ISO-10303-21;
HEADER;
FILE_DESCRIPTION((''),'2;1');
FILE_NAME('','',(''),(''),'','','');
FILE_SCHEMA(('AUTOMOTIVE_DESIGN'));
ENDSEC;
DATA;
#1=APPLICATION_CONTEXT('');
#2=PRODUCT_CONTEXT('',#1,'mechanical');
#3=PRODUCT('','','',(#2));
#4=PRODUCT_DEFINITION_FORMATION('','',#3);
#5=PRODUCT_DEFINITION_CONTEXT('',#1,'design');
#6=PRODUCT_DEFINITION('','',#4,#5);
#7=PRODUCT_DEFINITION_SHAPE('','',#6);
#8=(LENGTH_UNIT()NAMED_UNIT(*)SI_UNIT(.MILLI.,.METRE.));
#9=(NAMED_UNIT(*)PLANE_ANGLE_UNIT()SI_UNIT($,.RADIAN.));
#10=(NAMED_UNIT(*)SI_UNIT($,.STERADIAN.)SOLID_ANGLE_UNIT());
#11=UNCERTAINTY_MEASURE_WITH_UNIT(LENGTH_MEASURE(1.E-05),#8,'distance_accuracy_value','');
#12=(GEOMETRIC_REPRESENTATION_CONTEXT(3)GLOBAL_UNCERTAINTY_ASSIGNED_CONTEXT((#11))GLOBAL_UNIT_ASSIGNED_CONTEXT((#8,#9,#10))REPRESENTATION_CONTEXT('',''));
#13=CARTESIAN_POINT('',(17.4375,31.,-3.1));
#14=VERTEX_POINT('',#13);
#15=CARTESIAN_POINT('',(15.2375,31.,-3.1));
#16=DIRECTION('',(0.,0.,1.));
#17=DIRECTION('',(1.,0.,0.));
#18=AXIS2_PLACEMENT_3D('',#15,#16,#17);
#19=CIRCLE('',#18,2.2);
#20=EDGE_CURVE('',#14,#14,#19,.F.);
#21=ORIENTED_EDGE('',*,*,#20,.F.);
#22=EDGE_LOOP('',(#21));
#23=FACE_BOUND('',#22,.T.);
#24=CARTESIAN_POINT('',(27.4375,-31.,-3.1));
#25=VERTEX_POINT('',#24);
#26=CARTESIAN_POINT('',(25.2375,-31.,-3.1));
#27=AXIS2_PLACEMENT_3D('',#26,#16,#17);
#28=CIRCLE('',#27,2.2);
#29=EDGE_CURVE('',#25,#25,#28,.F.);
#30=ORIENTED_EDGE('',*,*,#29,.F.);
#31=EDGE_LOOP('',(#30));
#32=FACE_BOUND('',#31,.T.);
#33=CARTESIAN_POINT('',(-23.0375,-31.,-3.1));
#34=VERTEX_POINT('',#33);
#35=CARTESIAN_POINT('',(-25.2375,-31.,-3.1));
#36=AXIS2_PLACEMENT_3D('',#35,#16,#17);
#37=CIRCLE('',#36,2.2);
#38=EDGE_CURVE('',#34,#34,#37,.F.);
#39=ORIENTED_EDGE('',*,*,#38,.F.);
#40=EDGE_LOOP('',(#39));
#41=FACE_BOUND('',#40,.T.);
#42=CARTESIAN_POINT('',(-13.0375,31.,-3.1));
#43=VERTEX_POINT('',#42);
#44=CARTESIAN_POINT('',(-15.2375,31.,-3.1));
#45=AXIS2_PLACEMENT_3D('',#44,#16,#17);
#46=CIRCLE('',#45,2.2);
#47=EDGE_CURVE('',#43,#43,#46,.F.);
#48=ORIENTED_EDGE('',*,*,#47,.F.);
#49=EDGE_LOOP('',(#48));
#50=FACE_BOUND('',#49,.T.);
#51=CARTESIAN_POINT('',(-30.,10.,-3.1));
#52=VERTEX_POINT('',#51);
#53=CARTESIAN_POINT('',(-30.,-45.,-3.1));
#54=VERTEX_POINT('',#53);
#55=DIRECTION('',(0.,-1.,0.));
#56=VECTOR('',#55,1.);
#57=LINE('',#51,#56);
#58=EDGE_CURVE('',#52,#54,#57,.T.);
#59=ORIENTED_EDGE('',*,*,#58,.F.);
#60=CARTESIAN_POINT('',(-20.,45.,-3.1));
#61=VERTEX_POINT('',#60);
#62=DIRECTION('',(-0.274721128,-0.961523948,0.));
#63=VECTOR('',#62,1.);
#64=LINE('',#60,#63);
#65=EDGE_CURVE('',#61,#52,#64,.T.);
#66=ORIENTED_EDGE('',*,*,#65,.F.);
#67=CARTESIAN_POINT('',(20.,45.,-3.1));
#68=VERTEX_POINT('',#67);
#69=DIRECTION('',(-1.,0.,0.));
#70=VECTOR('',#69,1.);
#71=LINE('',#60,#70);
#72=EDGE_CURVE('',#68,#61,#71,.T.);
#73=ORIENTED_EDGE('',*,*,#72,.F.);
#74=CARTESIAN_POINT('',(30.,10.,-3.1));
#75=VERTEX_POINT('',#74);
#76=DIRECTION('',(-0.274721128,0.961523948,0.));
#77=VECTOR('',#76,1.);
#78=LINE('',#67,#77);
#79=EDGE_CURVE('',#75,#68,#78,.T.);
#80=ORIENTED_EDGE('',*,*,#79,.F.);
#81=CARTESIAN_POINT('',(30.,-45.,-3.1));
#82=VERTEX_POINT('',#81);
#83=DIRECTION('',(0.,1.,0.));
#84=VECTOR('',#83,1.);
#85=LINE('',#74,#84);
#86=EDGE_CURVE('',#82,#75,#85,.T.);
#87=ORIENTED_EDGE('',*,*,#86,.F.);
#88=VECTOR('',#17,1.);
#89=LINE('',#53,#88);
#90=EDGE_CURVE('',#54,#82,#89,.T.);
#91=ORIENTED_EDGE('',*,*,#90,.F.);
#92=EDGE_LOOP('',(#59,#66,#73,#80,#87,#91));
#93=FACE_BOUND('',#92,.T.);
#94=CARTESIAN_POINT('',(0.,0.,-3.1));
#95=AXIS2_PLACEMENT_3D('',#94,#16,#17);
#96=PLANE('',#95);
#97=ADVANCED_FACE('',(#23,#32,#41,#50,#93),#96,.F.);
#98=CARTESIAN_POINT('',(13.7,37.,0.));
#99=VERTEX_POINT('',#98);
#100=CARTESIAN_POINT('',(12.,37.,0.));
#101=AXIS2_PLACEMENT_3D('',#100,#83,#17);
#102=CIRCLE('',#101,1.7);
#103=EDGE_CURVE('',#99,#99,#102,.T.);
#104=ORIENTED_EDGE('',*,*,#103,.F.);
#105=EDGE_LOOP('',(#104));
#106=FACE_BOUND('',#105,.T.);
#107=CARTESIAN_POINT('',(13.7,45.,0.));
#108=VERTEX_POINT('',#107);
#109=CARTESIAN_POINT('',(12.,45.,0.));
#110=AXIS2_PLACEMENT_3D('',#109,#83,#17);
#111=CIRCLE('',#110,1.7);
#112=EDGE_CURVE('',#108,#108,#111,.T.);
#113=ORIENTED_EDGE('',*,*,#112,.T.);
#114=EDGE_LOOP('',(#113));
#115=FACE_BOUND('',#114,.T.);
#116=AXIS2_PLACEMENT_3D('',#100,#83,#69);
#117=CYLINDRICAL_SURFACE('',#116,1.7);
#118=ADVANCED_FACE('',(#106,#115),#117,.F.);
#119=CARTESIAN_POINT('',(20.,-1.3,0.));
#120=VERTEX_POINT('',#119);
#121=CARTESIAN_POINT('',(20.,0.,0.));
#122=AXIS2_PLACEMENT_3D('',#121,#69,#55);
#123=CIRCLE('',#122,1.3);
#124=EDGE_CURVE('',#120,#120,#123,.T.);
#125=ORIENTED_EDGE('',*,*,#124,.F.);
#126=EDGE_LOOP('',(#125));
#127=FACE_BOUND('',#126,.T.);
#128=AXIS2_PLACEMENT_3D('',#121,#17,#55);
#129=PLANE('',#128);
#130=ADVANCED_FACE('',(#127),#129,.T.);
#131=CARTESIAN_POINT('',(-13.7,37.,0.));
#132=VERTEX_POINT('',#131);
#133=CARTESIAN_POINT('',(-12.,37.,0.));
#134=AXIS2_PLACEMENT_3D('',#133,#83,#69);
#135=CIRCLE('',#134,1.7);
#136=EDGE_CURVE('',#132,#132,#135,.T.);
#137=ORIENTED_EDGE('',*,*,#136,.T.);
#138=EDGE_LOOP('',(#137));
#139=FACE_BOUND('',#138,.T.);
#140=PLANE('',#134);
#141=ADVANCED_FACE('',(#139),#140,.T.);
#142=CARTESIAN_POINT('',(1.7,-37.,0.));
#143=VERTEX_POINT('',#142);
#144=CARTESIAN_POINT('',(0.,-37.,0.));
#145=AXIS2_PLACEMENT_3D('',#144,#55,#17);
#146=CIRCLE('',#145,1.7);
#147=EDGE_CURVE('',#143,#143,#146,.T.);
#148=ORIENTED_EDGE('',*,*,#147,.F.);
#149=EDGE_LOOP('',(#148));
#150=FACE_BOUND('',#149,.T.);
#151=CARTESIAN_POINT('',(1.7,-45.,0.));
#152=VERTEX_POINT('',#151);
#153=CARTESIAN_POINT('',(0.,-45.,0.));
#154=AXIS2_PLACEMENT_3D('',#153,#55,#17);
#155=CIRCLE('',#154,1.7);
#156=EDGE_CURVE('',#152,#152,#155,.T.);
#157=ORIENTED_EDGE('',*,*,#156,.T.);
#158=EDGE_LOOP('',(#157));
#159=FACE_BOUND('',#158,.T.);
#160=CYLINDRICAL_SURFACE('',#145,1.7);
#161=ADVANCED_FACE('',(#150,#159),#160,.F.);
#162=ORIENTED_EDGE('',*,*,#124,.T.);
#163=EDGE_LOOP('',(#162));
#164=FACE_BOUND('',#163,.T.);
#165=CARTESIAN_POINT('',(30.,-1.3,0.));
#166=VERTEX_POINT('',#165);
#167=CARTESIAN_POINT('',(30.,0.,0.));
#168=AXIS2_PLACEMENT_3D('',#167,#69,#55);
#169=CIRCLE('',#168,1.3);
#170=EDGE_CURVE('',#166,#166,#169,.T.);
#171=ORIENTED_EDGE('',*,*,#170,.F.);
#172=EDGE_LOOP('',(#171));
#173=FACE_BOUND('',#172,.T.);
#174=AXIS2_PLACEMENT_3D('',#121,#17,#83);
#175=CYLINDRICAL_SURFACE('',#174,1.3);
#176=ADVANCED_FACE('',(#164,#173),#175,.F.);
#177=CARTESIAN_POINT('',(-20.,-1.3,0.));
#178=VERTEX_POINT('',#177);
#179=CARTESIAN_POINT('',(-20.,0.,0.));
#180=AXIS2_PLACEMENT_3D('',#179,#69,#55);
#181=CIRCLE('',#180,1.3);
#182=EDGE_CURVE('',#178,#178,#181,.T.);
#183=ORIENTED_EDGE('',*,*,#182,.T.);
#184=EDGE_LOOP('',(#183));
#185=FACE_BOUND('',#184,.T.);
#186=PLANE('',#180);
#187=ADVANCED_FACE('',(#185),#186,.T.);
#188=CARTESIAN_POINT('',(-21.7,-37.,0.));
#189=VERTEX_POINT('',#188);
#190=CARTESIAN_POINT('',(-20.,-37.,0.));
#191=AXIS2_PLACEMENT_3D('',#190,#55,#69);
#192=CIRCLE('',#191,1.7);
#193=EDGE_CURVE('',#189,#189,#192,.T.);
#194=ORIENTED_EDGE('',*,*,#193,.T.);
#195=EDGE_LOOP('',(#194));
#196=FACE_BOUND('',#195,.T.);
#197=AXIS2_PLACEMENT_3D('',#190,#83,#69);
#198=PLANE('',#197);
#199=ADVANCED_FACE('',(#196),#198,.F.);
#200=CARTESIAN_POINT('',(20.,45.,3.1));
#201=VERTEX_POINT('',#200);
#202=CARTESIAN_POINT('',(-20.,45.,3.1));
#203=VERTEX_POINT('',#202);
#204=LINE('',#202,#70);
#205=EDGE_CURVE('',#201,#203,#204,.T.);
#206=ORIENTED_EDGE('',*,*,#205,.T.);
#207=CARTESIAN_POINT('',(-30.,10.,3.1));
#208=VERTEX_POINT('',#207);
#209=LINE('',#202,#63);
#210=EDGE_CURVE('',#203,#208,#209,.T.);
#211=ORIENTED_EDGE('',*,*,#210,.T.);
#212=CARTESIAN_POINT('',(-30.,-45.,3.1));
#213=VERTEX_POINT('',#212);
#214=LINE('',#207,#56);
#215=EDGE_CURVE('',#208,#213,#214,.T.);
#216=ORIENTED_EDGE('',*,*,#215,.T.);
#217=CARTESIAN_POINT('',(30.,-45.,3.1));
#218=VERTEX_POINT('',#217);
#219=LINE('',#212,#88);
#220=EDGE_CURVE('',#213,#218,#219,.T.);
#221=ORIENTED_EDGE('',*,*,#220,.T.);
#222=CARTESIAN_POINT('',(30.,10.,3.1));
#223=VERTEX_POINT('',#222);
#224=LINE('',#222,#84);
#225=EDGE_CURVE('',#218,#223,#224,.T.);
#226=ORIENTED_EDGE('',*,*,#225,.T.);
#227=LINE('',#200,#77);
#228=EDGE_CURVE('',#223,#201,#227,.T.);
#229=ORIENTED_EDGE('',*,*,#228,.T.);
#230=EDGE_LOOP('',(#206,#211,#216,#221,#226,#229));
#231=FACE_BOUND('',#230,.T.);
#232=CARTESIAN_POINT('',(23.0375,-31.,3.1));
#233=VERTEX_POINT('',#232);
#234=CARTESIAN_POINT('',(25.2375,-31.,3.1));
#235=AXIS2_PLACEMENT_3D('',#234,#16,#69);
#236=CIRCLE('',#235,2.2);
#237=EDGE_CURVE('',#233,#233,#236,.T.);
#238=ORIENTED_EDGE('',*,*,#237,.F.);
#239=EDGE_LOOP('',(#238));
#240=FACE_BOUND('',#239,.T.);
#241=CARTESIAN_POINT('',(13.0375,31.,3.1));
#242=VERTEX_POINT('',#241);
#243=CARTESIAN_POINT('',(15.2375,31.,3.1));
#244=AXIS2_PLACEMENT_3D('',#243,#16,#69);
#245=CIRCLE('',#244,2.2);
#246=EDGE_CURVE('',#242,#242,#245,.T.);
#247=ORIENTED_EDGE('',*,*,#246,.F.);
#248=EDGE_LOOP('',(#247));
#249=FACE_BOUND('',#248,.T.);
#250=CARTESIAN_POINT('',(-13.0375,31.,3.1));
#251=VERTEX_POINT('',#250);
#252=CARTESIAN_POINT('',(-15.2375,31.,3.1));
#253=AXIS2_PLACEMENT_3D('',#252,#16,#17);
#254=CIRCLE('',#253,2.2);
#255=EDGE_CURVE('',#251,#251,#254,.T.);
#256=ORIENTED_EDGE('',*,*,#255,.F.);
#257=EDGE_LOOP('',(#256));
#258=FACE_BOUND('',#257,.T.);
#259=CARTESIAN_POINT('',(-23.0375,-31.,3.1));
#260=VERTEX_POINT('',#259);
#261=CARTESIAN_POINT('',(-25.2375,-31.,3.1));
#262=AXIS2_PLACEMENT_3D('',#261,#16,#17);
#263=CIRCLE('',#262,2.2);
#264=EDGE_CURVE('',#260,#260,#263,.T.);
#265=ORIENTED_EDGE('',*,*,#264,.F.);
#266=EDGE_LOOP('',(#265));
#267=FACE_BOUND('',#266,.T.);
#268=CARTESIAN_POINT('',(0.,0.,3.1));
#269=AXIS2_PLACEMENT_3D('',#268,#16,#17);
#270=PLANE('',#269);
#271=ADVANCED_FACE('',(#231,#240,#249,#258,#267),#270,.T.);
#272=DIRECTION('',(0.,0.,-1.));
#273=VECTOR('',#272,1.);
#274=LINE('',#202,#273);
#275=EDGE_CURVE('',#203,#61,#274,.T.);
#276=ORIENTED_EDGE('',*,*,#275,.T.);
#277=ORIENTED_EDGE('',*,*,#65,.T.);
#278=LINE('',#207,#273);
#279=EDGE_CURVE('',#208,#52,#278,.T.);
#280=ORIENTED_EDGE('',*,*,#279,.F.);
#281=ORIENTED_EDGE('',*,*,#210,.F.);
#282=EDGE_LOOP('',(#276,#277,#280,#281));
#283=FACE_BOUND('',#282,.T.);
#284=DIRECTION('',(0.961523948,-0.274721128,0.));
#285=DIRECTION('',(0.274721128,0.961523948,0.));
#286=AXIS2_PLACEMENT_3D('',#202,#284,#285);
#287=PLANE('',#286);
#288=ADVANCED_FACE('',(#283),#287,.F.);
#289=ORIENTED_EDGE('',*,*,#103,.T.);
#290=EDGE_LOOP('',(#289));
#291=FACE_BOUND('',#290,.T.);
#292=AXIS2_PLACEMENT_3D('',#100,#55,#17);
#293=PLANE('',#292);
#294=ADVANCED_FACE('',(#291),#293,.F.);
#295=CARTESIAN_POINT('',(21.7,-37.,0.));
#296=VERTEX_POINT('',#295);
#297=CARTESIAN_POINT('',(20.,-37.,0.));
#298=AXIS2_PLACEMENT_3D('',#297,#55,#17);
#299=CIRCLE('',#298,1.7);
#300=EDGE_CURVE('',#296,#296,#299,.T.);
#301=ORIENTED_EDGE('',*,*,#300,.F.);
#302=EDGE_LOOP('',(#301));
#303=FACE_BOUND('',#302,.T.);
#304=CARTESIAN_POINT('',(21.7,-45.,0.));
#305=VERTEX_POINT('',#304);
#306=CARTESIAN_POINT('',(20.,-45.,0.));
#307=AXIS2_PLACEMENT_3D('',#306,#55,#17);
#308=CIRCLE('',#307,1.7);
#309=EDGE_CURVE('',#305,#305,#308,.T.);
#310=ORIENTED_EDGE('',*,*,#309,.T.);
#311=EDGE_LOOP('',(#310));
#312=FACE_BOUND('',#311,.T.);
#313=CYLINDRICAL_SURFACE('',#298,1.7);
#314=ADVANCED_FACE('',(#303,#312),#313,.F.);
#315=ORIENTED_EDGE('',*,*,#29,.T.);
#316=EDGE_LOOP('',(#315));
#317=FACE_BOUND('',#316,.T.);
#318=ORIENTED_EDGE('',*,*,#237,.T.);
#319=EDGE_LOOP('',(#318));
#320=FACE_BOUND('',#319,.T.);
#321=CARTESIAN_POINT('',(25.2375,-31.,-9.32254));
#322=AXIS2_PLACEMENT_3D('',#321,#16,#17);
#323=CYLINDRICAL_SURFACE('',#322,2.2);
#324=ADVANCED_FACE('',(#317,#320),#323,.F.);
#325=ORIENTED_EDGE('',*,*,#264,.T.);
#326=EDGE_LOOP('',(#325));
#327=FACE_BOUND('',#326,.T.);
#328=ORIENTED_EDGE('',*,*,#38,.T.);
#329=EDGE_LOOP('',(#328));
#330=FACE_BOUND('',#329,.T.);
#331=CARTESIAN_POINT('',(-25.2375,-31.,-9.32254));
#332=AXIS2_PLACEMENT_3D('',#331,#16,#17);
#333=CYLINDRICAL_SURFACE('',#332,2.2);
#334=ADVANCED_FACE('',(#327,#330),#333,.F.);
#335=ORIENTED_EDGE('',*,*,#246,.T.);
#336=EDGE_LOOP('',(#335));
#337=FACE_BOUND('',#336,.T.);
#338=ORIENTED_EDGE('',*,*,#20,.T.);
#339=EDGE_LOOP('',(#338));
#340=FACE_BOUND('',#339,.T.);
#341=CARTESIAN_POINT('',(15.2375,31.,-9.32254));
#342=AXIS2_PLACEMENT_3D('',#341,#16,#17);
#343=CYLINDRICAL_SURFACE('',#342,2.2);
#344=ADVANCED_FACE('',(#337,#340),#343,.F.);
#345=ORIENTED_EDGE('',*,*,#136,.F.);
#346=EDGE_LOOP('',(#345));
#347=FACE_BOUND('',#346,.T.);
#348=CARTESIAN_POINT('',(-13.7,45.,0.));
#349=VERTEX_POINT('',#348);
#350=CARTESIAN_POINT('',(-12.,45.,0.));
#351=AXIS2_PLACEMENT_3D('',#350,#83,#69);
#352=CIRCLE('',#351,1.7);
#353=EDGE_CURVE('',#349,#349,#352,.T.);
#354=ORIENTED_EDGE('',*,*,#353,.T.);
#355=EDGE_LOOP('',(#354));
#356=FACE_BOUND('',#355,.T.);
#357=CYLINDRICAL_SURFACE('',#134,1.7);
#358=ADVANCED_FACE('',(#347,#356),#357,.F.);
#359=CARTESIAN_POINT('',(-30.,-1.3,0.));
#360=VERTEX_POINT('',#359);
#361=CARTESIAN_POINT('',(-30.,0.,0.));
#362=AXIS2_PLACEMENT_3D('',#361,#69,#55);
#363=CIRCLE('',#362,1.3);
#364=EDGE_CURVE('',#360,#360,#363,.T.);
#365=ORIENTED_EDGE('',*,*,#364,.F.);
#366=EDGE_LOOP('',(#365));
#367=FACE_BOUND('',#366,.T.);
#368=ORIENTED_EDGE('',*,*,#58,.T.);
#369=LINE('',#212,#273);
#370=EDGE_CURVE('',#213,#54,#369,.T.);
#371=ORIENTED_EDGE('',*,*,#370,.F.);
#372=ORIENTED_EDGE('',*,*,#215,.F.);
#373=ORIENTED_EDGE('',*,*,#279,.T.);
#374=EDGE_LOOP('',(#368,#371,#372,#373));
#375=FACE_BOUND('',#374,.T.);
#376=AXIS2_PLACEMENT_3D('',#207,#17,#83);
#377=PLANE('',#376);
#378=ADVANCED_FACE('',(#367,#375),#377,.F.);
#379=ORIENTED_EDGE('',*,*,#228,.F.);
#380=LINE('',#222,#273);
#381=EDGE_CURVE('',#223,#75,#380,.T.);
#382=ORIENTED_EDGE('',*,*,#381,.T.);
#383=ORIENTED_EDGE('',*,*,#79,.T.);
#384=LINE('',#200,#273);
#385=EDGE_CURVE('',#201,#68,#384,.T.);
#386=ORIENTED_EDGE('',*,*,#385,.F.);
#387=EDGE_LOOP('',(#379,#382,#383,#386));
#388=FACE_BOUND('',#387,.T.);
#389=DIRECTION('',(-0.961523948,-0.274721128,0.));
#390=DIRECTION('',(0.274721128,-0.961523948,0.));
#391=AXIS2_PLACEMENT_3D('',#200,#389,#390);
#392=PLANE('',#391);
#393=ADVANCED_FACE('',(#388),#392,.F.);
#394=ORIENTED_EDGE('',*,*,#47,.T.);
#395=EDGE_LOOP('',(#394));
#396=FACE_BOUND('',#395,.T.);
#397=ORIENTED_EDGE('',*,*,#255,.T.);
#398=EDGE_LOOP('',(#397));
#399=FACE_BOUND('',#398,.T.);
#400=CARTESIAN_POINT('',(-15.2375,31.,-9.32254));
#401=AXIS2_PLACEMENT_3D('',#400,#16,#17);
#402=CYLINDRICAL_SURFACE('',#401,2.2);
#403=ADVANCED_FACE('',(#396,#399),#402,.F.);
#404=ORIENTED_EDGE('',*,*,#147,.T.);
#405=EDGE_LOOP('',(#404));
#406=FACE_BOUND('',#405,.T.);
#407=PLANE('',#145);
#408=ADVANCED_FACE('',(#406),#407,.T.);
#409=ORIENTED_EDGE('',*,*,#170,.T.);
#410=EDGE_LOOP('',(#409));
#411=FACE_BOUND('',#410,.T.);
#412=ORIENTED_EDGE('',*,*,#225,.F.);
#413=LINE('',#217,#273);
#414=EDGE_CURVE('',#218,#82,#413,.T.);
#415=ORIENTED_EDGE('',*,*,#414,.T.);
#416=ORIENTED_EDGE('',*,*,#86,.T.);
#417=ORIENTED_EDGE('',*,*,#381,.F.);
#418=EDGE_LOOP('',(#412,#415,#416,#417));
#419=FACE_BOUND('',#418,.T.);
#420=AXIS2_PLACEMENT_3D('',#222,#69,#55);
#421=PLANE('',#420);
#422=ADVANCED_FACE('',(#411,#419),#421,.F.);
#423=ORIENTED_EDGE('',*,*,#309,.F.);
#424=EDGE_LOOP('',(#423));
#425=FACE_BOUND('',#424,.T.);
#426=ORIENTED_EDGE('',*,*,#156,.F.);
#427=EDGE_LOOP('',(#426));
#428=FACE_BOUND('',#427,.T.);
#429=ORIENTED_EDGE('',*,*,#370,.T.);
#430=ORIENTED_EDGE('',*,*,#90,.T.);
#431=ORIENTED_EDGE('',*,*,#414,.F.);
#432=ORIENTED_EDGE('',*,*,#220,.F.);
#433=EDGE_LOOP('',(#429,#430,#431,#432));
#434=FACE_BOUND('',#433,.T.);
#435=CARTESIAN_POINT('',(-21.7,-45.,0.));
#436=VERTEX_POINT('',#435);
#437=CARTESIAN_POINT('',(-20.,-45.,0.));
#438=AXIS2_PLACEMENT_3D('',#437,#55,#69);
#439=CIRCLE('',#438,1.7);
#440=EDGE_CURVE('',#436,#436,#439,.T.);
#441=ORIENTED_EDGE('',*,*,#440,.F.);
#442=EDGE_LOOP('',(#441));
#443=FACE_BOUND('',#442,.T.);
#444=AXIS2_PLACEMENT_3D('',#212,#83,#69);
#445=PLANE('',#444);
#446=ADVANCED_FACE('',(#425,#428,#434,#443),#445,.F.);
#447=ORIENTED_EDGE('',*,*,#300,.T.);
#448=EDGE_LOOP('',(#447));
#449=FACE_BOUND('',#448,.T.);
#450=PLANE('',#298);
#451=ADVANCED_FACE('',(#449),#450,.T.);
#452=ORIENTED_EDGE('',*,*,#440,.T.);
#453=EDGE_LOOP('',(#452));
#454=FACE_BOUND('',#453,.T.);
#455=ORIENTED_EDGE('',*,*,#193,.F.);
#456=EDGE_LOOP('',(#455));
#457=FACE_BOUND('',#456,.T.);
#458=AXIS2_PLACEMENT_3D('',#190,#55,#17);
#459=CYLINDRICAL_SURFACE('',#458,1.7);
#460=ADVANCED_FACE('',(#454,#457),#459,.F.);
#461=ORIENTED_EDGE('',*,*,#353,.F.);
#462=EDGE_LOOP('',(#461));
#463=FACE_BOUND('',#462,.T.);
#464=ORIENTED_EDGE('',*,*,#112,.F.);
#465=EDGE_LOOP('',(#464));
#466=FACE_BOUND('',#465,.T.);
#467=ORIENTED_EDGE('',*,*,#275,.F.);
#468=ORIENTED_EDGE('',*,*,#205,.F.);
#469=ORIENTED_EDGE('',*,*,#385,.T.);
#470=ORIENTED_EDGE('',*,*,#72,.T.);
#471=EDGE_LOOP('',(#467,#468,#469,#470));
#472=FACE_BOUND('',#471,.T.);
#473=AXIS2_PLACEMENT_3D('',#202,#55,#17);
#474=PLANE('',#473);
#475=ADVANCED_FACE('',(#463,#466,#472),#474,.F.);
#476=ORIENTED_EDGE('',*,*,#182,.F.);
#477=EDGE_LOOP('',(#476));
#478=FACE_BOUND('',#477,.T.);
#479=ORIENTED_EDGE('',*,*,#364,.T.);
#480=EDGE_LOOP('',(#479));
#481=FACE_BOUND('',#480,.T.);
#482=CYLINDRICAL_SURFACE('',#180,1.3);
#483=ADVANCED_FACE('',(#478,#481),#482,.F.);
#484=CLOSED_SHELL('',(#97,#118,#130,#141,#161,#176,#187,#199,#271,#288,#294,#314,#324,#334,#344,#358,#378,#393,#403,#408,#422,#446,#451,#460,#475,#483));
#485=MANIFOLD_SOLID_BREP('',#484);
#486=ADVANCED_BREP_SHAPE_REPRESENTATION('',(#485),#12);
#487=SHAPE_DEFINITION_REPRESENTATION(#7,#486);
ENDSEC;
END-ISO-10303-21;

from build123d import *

# Parameters (mm, degrees)
EXTRUDE_1_4_DEPTH = 3.1
SKETCH4_R         = 1.7
M4_DRILL_DEPTH    = 8
SKETCH5_R         = 1.7
M4_DRILL2_DEPTH   = 8
SKETCH6_R         = 2.2
M4_THROUGH_DEPTH  = 6.2
SKETCH7_R         = 1.3
M3_DRILL_DEPTH    = 10


with BuildPart() as part:
    # Sketch1 → 1/4 (new, symmetric)
    with BuildSketch(Plane.XY):
        Polygon((-20, 45), (20, 45), (30, 10), (30, -45), (-30, -45), (-30, 10), align=None)
    extrude(amount=EXTRUDE_1_4_DEPTH, both=True)

    # Sketch4 → M4_DRILL (cut)
    with BuildSketch(Plane(origin=(0, 45, 0), x_dir=(1, 0, 0), z_dir=(0, 1, 0))):
        with Locations(Location((-12, 0, 0), (0, 0, 180))):
            Circle(SKETCH4_R)
        with Locations((12, 0)):
            Circle(SKETCH4_R)
    extrude(amount=-M4_DRILL_DEPTH, mode=Mode.SUBTRACT)

    # Sketch5 → M4_DRILL2 (cut)
    with BuildSketch(Plane(origin=(0, -45, 0), x_dir=(-1, 0, 0), z_dir=(0, -1, 0))):
        with Locations(Location((-20, 0, 0), (0, 0, 180))):
            Circle(SKETCH5_R)
        with Locations((20, 0)):
            Circle(SKETCH5_R)
        with Locations(Location((0, 0, 0), (0, 0, 180))):
            Circle(SKETCH5_R)
    extrude(amount=-M4_DRILL2_DEPTH, mode=Mode.SUBTRACT)

    # Sketch6 → M4_through (cut)
    with BuildSketch(Plane.XY.offset(3.1)):
        with Locations((-25.2375, -31)):
            Circle(SKETCH6_R)
        with Locations((25.2375, -31)):
            Circle(SKETCH6_R)
        with Locations((-15.2375, 31)):
            Circle(SKETCH6_R)
        with Locations((15.2375, 31)):
            Circle(SKETCH6_R)
    extrude(amount=-M4_THROUGH_DEPTH, mode=Mode.SUBTRACT)

    # Sketch7 → M3_Drill (cut)
    with BuildSketch(Plane.ZY.offset(30)):
        with Locations(Location((0, 0, 0), (0, 0, 270))):
            Circle(SKETCH7_R)
    m3_drill = extrude(amount=-M3_DRILL_DEPTH, mode=Mode.SUBTRACT)

    # Mirror1: M3_Drill across plane
    add(m3_drill.mirror(Plane(origin=(0, 0, 0), x_dir=(0, 0, 1), z_dir=(1, 0, 0))), mode=Mode.SUBTRACT)


solid = part.part
